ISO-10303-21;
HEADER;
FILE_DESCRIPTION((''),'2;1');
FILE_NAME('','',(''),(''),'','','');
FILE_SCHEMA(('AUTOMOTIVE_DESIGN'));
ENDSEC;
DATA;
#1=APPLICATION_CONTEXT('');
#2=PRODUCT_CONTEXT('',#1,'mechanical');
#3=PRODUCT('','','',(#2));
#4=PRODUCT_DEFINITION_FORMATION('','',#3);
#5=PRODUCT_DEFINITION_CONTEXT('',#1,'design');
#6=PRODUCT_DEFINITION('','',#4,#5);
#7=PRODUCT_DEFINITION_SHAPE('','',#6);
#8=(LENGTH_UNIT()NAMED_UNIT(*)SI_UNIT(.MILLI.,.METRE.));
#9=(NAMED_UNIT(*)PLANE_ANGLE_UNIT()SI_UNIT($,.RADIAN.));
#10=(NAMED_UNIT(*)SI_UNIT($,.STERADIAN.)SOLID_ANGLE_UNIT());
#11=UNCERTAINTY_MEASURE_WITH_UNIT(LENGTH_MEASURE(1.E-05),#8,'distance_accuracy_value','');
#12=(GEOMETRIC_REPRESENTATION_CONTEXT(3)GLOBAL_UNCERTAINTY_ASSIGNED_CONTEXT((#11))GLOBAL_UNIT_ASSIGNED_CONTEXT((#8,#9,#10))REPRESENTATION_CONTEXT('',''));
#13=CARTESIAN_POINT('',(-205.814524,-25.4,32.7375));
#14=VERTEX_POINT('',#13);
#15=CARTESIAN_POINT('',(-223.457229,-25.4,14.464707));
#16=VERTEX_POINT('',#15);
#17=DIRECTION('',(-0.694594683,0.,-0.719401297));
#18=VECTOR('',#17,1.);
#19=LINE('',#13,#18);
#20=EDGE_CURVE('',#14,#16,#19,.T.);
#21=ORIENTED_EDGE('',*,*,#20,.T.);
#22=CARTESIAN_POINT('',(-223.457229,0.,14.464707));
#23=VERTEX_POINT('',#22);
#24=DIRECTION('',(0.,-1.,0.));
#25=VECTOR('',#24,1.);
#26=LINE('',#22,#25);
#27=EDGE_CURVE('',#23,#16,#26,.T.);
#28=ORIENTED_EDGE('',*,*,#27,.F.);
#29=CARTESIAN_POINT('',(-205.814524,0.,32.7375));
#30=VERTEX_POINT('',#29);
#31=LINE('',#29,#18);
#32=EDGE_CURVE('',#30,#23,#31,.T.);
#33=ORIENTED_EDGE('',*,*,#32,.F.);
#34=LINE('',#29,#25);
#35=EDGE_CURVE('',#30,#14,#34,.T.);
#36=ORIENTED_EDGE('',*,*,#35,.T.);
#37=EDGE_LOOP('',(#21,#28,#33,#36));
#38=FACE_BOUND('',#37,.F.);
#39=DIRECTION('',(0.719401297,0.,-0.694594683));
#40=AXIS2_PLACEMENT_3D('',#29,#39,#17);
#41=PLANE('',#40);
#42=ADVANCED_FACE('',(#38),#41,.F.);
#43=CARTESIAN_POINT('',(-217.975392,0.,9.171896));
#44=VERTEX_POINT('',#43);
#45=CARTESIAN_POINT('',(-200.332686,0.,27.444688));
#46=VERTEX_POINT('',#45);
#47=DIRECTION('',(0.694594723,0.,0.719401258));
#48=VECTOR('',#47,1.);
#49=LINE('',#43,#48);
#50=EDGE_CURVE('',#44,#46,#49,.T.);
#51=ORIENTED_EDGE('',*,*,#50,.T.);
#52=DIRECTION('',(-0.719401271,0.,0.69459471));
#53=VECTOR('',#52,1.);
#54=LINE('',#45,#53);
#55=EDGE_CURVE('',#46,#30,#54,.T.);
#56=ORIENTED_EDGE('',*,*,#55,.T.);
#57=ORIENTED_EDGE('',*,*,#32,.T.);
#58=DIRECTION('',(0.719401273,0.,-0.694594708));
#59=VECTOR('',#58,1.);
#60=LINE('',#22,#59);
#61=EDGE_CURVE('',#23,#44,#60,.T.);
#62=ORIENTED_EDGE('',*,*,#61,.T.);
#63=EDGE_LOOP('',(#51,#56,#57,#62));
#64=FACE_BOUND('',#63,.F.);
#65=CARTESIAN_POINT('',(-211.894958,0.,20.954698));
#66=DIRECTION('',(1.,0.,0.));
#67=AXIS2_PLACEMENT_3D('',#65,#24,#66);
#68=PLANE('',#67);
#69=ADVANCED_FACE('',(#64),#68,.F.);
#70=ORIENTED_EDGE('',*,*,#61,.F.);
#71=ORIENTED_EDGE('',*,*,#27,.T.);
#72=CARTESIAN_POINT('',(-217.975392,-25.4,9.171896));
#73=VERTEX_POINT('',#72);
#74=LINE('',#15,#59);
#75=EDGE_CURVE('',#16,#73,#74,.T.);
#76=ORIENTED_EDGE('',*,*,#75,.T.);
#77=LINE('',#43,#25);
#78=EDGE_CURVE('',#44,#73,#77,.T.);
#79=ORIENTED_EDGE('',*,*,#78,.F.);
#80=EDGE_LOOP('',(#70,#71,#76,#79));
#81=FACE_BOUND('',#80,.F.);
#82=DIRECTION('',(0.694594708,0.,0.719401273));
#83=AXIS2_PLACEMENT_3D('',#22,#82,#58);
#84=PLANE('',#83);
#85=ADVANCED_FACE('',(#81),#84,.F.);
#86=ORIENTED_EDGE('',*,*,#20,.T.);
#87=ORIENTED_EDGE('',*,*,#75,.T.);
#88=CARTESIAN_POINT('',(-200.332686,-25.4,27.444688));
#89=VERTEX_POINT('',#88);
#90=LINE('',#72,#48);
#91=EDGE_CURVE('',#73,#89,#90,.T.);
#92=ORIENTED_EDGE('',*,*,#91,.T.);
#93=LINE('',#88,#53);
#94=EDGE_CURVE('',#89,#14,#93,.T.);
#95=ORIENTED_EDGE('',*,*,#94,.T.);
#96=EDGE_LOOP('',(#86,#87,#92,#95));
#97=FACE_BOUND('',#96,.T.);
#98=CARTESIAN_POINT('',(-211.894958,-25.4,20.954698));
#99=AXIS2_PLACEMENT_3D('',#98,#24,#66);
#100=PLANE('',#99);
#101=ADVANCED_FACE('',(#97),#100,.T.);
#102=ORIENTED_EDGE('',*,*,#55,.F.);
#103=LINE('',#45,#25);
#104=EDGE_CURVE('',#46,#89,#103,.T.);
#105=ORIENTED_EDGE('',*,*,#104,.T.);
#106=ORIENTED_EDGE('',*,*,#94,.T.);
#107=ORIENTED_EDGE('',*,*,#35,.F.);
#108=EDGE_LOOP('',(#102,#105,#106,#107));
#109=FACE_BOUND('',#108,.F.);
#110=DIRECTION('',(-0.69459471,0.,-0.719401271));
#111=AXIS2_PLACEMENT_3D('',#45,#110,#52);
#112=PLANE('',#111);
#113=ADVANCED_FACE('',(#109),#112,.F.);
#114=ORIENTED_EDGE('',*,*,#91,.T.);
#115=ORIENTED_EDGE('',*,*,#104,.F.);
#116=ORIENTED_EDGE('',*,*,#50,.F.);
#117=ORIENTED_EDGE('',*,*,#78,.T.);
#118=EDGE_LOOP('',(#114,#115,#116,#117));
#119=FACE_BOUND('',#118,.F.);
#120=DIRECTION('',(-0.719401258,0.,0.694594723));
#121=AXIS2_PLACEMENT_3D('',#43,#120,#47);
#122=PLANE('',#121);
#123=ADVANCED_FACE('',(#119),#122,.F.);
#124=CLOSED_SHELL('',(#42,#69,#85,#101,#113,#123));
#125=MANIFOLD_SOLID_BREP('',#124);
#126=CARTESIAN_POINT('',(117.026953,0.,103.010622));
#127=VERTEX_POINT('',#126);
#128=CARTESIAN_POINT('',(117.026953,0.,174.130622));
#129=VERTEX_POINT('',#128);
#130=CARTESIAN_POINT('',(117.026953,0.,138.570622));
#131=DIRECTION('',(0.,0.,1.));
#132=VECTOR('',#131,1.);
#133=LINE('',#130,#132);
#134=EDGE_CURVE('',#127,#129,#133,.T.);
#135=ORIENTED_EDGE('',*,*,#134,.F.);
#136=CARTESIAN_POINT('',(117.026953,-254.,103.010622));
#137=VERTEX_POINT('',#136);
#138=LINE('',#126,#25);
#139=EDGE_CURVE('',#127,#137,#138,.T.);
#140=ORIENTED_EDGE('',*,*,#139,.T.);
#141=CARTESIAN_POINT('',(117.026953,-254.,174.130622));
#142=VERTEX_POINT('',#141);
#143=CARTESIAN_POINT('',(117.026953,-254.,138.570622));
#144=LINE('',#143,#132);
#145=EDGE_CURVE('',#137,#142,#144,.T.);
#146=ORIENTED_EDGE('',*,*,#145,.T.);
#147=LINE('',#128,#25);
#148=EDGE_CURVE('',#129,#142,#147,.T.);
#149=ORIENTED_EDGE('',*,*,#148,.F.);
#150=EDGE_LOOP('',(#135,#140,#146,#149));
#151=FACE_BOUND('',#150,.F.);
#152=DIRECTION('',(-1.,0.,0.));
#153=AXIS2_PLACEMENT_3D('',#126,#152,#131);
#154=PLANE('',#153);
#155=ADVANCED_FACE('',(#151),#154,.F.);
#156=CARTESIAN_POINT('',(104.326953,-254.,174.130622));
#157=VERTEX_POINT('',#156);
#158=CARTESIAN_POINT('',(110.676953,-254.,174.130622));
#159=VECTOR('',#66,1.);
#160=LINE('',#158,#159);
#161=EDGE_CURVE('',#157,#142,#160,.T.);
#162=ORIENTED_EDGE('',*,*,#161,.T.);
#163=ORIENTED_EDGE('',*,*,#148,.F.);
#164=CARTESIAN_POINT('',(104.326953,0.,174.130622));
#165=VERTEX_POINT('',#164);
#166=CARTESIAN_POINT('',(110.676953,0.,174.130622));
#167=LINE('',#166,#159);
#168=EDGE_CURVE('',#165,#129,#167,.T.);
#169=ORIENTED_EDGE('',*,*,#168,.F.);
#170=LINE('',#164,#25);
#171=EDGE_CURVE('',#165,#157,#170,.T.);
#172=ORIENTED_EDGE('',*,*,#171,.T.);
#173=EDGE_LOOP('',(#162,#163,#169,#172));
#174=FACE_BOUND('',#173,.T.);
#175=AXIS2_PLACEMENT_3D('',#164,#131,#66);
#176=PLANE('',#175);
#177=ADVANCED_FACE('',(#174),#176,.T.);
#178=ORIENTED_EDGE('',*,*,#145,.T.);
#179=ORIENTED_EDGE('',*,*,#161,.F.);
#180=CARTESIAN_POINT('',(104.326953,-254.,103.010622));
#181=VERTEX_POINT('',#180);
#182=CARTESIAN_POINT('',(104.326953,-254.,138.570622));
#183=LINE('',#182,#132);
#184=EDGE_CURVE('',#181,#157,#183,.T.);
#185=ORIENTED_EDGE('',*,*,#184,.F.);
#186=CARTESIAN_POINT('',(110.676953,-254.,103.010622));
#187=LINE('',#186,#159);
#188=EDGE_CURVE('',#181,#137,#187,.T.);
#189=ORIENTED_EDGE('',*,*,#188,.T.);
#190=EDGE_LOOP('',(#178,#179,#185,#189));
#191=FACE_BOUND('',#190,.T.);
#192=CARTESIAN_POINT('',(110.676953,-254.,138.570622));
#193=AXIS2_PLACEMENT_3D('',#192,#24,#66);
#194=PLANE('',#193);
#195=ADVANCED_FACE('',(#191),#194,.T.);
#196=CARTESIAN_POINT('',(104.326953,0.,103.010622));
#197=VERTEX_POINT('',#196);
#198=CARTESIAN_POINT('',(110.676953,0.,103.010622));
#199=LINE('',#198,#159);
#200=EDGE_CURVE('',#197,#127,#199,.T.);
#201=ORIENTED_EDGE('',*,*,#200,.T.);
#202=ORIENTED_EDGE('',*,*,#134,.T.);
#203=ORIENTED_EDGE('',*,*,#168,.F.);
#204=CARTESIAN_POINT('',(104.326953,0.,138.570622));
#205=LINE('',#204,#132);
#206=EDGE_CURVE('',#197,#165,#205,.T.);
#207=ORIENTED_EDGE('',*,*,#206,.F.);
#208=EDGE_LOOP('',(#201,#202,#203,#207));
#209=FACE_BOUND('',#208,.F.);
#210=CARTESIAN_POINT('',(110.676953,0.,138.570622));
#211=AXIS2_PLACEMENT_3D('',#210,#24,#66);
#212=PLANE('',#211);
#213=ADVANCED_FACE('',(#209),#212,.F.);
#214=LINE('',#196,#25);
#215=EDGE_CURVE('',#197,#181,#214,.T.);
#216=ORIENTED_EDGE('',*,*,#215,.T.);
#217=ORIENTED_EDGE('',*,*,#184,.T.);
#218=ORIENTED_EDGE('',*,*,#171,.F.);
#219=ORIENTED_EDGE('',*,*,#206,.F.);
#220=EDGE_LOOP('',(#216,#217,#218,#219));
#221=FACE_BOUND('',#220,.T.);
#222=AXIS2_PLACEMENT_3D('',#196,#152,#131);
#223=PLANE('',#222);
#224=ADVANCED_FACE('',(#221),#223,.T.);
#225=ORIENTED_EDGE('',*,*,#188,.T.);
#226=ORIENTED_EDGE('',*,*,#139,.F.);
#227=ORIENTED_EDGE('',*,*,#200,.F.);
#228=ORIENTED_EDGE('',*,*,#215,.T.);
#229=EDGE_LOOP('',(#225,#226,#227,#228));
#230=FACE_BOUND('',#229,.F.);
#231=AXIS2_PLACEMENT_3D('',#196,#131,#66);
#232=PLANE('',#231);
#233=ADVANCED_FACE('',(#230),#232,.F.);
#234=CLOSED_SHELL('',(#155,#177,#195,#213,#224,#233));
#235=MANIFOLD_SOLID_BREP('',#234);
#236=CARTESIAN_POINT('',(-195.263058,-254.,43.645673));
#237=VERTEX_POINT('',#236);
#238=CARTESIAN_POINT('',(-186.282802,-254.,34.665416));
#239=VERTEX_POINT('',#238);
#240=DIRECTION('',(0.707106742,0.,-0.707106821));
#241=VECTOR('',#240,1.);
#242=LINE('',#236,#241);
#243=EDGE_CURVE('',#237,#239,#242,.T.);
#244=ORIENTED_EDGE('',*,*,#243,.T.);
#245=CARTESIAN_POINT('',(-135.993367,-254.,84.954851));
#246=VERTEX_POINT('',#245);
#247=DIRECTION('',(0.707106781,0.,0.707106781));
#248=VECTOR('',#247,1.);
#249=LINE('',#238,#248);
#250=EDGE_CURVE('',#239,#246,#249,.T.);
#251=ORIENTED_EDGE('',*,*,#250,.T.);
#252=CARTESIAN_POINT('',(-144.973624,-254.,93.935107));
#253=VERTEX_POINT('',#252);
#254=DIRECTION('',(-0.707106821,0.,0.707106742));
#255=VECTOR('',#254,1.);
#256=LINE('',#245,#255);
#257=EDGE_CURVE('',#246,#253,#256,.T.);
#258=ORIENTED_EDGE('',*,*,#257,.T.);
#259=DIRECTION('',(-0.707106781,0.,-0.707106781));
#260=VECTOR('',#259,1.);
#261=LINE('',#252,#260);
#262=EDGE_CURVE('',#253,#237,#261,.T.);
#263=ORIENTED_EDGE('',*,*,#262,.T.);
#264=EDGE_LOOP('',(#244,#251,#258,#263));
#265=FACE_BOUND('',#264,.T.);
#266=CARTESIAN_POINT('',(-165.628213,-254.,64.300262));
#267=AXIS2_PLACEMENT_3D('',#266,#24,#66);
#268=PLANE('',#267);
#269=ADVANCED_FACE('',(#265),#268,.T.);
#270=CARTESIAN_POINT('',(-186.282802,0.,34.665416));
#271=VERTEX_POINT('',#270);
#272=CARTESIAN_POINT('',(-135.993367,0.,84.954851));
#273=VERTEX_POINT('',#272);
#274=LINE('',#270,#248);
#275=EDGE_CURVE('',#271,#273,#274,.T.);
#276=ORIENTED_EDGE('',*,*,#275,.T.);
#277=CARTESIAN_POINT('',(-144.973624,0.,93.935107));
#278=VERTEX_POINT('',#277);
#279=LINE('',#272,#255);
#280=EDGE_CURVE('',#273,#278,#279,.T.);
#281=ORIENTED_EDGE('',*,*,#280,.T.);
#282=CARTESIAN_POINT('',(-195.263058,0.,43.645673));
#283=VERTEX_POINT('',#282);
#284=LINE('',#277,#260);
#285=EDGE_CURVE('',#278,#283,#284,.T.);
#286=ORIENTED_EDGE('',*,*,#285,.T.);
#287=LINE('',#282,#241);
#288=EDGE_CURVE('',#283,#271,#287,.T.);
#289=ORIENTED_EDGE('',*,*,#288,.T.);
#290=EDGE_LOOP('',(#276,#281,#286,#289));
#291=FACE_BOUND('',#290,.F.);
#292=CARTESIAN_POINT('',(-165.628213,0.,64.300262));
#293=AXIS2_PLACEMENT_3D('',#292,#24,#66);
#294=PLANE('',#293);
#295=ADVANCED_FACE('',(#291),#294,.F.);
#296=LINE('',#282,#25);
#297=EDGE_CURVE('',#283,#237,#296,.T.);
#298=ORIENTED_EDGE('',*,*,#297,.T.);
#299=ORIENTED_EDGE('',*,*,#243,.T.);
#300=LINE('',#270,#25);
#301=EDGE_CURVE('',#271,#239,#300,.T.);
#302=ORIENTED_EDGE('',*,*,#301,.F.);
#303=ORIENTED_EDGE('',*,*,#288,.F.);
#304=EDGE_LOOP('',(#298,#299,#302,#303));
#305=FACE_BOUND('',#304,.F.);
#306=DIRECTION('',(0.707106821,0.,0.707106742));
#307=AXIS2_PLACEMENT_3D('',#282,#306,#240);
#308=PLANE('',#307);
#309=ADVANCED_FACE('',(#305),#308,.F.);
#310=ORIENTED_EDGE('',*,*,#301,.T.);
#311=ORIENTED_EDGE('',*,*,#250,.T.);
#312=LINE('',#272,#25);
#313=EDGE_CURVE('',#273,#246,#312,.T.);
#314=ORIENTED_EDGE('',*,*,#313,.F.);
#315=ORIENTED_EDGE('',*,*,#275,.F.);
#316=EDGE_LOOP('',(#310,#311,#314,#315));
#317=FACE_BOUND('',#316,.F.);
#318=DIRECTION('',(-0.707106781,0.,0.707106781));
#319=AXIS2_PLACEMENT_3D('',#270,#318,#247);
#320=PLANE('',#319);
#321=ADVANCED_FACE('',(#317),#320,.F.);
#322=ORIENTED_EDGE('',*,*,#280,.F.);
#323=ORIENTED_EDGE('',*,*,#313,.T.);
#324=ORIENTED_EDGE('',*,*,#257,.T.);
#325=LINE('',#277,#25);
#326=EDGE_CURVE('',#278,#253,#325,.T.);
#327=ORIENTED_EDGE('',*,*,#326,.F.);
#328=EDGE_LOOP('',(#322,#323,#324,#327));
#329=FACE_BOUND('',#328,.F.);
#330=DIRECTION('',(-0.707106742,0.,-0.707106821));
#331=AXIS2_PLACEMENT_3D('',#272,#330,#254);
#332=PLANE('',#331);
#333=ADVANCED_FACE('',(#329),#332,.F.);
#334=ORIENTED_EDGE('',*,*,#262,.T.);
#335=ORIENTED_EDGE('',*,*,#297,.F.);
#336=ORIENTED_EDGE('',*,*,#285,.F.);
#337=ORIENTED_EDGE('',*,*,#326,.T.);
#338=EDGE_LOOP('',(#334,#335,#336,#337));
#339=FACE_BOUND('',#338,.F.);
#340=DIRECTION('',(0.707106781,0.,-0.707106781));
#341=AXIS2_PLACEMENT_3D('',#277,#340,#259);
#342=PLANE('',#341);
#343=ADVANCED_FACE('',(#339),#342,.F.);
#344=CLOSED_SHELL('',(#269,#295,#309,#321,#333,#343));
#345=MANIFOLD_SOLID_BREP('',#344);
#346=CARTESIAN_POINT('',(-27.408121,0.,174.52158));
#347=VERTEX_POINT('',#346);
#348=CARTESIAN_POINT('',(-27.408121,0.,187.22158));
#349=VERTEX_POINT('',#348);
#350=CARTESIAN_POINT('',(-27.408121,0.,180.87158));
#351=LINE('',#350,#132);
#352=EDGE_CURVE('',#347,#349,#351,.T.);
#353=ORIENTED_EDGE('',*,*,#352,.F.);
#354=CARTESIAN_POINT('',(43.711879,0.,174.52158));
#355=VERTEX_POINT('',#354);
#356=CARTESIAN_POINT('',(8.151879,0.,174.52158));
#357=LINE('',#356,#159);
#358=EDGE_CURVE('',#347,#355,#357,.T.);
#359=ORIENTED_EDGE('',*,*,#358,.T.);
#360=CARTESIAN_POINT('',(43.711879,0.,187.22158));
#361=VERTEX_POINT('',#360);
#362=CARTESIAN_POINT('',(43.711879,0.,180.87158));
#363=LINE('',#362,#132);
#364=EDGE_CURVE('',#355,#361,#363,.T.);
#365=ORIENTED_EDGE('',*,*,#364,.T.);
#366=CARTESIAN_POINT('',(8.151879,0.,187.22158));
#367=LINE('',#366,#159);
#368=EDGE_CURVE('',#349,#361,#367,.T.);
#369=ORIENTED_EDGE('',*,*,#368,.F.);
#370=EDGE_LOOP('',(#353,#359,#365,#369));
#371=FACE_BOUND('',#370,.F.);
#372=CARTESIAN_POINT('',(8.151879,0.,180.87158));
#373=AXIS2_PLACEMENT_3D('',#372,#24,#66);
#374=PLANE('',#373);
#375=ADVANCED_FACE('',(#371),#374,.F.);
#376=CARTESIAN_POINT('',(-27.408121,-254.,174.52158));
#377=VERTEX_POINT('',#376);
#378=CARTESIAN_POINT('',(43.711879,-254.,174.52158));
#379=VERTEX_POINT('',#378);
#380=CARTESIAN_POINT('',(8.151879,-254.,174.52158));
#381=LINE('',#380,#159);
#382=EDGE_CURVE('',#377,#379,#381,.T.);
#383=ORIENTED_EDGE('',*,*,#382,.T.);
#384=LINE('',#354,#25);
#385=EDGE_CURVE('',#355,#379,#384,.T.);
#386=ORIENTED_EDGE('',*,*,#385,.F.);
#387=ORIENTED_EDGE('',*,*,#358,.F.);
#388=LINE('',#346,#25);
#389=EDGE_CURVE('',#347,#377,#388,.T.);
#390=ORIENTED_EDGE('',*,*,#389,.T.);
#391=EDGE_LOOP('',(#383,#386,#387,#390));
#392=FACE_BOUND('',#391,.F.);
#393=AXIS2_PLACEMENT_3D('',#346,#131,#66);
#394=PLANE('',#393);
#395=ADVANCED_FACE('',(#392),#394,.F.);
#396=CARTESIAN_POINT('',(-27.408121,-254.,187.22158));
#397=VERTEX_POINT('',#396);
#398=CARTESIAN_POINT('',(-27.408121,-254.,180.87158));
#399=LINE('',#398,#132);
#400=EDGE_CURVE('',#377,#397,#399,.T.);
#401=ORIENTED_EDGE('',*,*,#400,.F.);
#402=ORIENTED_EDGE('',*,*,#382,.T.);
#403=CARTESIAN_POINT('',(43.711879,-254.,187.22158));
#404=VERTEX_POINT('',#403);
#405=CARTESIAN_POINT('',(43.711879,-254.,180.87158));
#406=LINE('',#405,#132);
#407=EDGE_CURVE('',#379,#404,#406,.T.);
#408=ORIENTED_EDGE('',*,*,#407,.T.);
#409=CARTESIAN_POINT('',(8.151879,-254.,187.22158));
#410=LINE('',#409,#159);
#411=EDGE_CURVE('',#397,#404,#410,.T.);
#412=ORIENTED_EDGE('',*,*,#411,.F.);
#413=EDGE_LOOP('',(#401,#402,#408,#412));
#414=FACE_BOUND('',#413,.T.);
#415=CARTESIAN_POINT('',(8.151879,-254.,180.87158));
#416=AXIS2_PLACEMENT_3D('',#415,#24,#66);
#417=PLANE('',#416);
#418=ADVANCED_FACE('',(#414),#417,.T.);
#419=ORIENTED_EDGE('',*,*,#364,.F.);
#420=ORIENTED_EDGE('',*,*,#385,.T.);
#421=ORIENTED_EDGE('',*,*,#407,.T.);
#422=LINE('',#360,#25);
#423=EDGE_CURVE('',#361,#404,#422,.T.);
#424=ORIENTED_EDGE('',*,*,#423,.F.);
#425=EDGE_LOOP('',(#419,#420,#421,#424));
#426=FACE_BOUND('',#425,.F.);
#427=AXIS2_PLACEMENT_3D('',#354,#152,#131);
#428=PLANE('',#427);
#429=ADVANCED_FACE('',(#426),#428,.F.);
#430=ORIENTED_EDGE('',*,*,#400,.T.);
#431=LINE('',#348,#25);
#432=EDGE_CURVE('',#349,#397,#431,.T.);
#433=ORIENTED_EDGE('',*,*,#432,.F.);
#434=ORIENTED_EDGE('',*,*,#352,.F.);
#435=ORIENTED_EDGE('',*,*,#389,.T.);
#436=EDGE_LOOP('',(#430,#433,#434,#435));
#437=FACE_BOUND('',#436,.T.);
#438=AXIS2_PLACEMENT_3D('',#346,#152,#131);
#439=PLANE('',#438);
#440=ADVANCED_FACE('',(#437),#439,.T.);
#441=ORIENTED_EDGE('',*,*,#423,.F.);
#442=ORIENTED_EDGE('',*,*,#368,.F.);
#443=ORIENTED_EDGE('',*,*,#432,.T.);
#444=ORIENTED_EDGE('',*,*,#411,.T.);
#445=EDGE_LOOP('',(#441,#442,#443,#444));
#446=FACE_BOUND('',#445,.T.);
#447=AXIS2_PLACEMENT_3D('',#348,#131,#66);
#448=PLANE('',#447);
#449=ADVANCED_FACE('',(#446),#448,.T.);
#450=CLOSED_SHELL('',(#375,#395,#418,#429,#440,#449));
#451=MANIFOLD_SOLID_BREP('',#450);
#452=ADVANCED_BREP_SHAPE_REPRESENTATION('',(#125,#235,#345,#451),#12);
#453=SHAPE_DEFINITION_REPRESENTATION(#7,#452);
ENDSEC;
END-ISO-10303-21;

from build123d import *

# Parameters (mm, degrees)
F0_W     = 71.12
F0_H     = 12.7
F0_W_2   = 12.7
F0_H_2   = 71.12
F1_DEPTH = 254
F3_DEPTH = 25.4


with BuildPart() as f1:
    # F0 (on Front) → F1 (new body)
    with BuildSketch(Plane.XZ):
        with Locations((8.151879, 180.87158)):
            Rectangle(F0_W, F0_H)
        with Locations((110.676953, 138.570622)):
            Rectangle(F0_W_2, F0_H_2)
        Polygon((-195.263058, 43.645673), (-186.282802, 34.665416), (-135.993367, 84.954851), (-144.973624, 93.935107), align=None)
    extrude(amount=F1_DEPTH)


with BuildPart() as f3:
    # F2 (on Front) → F3 (new body)
    with BuildSketch(Plane.XZ):
        Polygon((-223.457229, 14.464707), (-217.975392, 9.171896), (-200.332686, 27.444688), (-205.814524, 32.7375), align=None)
    extrude(amount=F3_DEPTH)


solid = Compound([f1.part, f3.part])
